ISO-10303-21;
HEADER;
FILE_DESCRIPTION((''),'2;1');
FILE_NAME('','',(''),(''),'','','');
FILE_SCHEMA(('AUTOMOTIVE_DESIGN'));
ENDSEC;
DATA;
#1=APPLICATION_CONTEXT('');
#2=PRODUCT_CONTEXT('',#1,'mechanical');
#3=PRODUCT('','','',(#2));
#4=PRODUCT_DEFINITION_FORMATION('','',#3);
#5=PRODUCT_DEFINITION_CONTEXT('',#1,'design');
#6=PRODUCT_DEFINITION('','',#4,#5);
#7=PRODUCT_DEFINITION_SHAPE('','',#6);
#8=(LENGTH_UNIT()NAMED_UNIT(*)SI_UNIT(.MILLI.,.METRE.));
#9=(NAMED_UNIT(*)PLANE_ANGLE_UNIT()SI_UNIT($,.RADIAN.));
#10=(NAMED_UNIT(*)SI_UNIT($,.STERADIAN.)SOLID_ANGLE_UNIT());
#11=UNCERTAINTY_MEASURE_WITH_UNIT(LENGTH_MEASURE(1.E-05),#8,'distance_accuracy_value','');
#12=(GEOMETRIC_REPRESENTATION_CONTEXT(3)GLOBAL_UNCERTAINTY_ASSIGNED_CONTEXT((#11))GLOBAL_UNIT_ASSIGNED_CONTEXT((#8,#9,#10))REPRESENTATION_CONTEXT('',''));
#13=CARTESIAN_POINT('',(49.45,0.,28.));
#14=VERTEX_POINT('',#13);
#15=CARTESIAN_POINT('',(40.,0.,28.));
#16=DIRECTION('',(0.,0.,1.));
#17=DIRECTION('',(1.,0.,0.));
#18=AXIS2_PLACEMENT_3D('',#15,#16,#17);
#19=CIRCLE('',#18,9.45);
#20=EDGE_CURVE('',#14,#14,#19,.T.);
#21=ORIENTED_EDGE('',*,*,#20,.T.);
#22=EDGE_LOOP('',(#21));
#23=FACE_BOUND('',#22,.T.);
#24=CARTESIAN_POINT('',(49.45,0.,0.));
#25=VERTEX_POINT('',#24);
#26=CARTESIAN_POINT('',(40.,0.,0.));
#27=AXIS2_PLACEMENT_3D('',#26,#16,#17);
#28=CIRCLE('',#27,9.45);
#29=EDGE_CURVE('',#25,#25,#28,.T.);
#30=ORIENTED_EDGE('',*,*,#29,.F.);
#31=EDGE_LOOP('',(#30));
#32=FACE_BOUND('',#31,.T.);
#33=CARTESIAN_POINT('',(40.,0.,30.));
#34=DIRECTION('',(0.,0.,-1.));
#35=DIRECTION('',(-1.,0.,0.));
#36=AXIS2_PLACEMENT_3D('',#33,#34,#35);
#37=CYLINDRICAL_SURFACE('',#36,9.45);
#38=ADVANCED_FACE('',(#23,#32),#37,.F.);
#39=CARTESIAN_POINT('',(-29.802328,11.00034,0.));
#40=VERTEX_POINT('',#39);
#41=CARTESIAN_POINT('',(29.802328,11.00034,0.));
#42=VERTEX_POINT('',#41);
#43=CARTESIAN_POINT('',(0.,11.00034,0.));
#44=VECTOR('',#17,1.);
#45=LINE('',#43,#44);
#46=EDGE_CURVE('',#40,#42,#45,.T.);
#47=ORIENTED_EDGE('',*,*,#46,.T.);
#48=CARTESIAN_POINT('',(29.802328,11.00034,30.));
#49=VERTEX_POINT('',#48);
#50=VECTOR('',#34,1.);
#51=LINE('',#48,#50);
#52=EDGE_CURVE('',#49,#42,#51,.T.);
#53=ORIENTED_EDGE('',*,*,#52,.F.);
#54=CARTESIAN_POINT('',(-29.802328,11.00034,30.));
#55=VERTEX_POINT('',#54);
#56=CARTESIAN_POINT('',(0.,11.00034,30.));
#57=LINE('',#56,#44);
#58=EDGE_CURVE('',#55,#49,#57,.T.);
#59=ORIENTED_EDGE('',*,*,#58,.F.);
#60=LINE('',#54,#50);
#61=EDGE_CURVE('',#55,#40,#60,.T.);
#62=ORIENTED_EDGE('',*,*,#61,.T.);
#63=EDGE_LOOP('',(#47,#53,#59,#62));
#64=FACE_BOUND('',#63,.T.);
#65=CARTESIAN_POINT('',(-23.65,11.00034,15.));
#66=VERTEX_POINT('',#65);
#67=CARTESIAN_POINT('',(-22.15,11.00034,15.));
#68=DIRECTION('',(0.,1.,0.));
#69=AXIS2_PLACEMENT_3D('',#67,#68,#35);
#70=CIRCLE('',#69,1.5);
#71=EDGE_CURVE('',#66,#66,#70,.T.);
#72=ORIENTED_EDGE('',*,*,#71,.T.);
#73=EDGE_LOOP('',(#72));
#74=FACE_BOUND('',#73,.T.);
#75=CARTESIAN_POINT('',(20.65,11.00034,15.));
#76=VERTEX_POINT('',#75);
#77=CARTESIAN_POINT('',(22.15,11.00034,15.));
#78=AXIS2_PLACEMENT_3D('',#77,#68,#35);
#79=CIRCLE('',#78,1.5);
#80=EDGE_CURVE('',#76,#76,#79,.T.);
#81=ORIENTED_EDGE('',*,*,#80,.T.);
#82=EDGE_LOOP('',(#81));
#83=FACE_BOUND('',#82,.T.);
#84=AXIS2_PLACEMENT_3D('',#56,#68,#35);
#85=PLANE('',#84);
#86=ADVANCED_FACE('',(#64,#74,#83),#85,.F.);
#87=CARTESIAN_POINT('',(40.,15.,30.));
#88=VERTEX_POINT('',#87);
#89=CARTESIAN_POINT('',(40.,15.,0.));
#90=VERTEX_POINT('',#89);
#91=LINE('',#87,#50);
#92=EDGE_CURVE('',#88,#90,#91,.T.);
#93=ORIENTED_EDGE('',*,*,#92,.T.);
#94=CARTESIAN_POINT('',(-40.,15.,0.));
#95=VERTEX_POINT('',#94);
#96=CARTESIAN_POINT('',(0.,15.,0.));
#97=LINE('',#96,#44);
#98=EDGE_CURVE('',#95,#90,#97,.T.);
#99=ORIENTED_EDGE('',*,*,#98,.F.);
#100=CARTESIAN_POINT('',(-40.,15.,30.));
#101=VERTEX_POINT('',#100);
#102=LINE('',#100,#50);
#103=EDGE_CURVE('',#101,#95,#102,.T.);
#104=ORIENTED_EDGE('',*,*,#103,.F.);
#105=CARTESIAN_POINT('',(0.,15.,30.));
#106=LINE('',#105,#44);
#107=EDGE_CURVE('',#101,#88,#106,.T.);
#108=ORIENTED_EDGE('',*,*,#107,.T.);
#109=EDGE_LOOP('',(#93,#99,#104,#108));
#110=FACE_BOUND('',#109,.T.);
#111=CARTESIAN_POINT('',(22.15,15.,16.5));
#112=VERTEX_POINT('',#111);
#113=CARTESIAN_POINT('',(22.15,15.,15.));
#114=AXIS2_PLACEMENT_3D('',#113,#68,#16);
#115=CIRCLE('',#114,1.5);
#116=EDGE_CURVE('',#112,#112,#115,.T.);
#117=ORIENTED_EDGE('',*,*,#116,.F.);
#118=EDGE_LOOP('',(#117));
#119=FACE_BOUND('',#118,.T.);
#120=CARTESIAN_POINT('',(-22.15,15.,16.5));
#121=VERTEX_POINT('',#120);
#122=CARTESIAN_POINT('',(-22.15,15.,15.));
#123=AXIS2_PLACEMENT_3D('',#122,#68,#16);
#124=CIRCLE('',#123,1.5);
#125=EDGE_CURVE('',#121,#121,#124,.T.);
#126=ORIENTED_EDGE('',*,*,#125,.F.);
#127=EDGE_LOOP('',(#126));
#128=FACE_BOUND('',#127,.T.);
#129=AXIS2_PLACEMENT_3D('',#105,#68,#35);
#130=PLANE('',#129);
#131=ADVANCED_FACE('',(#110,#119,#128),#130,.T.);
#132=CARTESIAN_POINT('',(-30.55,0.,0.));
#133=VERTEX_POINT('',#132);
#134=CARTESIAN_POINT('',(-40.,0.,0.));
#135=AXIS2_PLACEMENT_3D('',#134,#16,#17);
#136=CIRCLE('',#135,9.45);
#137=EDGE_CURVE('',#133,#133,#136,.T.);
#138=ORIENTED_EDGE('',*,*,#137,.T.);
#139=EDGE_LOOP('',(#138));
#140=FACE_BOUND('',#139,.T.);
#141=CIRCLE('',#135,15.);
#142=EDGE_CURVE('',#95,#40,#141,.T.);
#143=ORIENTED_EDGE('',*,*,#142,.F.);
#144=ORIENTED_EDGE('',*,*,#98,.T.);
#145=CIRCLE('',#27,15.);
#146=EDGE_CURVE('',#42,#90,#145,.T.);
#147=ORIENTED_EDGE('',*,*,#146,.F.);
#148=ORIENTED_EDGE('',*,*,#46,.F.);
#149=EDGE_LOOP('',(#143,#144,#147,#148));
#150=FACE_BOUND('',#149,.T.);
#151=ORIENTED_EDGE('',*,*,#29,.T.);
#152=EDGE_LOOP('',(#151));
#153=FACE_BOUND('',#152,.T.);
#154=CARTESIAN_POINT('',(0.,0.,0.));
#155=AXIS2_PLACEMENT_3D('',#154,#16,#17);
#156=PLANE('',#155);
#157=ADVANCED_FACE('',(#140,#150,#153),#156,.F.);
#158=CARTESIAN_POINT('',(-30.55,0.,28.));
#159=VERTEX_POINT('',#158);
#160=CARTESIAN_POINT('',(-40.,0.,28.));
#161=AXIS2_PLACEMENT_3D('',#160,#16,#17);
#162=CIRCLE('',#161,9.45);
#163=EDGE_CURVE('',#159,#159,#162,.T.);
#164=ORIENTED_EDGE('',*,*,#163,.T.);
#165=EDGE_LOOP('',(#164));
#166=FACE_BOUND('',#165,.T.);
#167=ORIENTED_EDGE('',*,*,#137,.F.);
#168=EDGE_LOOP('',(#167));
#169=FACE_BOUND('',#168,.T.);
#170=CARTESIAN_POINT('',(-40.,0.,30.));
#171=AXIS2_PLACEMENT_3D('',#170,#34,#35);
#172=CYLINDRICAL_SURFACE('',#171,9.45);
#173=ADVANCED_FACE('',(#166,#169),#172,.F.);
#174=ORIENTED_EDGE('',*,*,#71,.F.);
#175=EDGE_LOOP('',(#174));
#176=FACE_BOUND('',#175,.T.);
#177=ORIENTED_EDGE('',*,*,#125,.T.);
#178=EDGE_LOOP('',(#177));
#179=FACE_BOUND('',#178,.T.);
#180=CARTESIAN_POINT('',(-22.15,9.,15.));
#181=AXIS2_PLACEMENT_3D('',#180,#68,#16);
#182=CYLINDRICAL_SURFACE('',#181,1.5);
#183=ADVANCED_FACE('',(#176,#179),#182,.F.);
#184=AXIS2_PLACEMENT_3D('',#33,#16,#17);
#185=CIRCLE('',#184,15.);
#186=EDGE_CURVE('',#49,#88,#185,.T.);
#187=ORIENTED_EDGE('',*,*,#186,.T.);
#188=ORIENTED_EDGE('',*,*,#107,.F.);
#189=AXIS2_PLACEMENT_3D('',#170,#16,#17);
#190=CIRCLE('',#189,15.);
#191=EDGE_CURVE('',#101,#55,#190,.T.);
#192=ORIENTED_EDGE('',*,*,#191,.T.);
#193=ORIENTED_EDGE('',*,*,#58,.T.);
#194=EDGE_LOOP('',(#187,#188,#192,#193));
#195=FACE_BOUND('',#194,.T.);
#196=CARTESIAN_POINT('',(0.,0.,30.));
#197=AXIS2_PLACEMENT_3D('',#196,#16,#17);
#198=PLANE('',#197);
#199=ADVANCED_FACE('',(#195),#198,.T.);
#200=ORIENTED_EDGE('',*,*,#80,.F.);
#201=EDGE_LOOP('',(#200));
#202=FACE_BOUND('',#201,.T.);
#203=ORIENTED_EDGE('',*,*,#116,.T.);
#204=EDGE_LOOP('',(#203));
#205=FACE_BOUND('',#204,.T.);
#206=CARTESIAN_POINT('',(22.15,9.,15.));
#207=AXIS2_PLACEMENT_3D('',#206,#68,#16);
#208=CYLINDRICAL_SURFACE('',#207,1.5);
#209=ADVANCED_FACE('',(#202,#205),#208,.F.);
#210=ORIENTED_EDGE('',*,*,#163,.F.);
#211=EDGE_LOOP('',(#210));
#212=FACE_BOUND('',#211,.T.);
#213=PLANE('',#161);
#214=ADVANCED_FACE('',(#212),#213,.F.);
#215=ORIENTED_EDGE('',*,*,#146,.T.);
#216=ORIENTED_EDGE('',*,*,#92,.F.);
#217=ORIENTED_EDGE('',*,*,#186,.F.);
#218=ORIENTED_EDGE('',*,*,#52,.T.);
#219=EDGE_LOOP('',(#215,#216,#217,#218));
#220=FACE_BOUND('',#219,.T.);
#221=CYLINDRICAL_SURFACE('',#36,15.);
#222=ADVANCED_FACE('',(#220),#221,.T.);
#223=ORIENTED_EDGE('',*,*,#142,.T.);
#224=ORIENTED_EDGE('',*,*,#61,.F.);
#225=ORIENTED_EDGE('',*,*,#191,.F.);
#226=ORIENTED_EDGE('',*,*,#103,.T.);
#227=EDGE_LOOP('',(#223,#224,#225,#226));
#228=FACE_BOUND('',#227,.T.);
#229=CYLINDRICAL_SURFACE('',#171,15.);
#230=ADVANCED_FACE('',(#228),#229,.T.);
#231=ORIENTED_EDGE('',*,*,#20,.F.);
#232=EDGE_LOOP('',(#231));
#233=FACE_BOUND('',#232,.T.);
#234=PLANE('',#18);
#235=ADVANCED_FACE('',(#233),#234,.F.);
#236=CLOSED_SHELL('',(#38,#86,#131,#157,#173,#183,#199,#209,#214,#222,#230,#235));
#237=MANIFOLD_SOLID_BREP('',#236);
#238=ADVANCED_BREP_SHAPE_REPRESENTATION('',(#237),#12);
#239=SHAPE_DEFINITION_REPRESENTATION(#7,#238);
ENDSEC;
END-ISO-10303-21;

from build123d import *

# Parameters (mm, degrees)
SKETCH1_R           = 9.45
BOSS_EXTRUDE1_DEPTH = 30
SKETCH3_R           = 1.5
CUT_EXTRUDE1_DEPTH  = 6
BOSS_EXTRUDE2_START = -2
SKETCH5_R           = 9.45
BOSS_EXTRUDE2_DEPTH = 2


with BuildPart() as part:
    # Sketch1 → Boss-Extrude1 (new body)
    with BuildSketch(Plane.XY):
        with BuildLine():
            Line((-40, 15), (40, 15))
            ThreePointArc((40, 15), (45.476992863, -13.964331319), (29.802327604, 11.00033989))
            Line((29.802327604, 11.00033989), (-29.802327604, 11.00033989))
            ThreePointArc((-29.802327604, 11.00033989), (-45.476992863, -13.964331319), (-40, 15))
        make_face()
        with Locations((-40, 0)):
            Circle(SKETCH1_R, mode=Mode.SUBTRACT)
        with Locations((40, 0)):
            Circle(SKETCH1_R, mode=Mode.SUBTRACT)
    extrude(amount=BOSS_EXTRUDE1_DEPTH)

    # Sketch3 → Cut-Extrude1 (cut)
    with BuildSketch(Plane(origin=(0, 15, 0), x_dir=(1, 0, 0), z_dir=(0, 1, 0))):
        with Locations(Location((-22.15, -15, 0), (0, 0, 270))):
            Circle(SKETCH3_R)
        with Locations(Location((22.15, -15, 0), (0, 0, 270))):
            Circle(SKETCH3_R)
    extrude(amount=-CUT_EXTRUDE1_DEPTH, mode=Mode.SUBTRACT)

    # Sketch5 → Boss-Extrude2 (add)
    with BuildSketch(Plane.XY.offset(30).offset(BOSS_EXTRUDE2_START)):
        with Locations((-40, 0)):
            Circle(SKETCH5_R)
        with Locations((40, 0)):
            Circle(SKETCH5_R)
    extrude(amount=BOSS_EXTRUDE2_DEPTH)


solid = part.part
